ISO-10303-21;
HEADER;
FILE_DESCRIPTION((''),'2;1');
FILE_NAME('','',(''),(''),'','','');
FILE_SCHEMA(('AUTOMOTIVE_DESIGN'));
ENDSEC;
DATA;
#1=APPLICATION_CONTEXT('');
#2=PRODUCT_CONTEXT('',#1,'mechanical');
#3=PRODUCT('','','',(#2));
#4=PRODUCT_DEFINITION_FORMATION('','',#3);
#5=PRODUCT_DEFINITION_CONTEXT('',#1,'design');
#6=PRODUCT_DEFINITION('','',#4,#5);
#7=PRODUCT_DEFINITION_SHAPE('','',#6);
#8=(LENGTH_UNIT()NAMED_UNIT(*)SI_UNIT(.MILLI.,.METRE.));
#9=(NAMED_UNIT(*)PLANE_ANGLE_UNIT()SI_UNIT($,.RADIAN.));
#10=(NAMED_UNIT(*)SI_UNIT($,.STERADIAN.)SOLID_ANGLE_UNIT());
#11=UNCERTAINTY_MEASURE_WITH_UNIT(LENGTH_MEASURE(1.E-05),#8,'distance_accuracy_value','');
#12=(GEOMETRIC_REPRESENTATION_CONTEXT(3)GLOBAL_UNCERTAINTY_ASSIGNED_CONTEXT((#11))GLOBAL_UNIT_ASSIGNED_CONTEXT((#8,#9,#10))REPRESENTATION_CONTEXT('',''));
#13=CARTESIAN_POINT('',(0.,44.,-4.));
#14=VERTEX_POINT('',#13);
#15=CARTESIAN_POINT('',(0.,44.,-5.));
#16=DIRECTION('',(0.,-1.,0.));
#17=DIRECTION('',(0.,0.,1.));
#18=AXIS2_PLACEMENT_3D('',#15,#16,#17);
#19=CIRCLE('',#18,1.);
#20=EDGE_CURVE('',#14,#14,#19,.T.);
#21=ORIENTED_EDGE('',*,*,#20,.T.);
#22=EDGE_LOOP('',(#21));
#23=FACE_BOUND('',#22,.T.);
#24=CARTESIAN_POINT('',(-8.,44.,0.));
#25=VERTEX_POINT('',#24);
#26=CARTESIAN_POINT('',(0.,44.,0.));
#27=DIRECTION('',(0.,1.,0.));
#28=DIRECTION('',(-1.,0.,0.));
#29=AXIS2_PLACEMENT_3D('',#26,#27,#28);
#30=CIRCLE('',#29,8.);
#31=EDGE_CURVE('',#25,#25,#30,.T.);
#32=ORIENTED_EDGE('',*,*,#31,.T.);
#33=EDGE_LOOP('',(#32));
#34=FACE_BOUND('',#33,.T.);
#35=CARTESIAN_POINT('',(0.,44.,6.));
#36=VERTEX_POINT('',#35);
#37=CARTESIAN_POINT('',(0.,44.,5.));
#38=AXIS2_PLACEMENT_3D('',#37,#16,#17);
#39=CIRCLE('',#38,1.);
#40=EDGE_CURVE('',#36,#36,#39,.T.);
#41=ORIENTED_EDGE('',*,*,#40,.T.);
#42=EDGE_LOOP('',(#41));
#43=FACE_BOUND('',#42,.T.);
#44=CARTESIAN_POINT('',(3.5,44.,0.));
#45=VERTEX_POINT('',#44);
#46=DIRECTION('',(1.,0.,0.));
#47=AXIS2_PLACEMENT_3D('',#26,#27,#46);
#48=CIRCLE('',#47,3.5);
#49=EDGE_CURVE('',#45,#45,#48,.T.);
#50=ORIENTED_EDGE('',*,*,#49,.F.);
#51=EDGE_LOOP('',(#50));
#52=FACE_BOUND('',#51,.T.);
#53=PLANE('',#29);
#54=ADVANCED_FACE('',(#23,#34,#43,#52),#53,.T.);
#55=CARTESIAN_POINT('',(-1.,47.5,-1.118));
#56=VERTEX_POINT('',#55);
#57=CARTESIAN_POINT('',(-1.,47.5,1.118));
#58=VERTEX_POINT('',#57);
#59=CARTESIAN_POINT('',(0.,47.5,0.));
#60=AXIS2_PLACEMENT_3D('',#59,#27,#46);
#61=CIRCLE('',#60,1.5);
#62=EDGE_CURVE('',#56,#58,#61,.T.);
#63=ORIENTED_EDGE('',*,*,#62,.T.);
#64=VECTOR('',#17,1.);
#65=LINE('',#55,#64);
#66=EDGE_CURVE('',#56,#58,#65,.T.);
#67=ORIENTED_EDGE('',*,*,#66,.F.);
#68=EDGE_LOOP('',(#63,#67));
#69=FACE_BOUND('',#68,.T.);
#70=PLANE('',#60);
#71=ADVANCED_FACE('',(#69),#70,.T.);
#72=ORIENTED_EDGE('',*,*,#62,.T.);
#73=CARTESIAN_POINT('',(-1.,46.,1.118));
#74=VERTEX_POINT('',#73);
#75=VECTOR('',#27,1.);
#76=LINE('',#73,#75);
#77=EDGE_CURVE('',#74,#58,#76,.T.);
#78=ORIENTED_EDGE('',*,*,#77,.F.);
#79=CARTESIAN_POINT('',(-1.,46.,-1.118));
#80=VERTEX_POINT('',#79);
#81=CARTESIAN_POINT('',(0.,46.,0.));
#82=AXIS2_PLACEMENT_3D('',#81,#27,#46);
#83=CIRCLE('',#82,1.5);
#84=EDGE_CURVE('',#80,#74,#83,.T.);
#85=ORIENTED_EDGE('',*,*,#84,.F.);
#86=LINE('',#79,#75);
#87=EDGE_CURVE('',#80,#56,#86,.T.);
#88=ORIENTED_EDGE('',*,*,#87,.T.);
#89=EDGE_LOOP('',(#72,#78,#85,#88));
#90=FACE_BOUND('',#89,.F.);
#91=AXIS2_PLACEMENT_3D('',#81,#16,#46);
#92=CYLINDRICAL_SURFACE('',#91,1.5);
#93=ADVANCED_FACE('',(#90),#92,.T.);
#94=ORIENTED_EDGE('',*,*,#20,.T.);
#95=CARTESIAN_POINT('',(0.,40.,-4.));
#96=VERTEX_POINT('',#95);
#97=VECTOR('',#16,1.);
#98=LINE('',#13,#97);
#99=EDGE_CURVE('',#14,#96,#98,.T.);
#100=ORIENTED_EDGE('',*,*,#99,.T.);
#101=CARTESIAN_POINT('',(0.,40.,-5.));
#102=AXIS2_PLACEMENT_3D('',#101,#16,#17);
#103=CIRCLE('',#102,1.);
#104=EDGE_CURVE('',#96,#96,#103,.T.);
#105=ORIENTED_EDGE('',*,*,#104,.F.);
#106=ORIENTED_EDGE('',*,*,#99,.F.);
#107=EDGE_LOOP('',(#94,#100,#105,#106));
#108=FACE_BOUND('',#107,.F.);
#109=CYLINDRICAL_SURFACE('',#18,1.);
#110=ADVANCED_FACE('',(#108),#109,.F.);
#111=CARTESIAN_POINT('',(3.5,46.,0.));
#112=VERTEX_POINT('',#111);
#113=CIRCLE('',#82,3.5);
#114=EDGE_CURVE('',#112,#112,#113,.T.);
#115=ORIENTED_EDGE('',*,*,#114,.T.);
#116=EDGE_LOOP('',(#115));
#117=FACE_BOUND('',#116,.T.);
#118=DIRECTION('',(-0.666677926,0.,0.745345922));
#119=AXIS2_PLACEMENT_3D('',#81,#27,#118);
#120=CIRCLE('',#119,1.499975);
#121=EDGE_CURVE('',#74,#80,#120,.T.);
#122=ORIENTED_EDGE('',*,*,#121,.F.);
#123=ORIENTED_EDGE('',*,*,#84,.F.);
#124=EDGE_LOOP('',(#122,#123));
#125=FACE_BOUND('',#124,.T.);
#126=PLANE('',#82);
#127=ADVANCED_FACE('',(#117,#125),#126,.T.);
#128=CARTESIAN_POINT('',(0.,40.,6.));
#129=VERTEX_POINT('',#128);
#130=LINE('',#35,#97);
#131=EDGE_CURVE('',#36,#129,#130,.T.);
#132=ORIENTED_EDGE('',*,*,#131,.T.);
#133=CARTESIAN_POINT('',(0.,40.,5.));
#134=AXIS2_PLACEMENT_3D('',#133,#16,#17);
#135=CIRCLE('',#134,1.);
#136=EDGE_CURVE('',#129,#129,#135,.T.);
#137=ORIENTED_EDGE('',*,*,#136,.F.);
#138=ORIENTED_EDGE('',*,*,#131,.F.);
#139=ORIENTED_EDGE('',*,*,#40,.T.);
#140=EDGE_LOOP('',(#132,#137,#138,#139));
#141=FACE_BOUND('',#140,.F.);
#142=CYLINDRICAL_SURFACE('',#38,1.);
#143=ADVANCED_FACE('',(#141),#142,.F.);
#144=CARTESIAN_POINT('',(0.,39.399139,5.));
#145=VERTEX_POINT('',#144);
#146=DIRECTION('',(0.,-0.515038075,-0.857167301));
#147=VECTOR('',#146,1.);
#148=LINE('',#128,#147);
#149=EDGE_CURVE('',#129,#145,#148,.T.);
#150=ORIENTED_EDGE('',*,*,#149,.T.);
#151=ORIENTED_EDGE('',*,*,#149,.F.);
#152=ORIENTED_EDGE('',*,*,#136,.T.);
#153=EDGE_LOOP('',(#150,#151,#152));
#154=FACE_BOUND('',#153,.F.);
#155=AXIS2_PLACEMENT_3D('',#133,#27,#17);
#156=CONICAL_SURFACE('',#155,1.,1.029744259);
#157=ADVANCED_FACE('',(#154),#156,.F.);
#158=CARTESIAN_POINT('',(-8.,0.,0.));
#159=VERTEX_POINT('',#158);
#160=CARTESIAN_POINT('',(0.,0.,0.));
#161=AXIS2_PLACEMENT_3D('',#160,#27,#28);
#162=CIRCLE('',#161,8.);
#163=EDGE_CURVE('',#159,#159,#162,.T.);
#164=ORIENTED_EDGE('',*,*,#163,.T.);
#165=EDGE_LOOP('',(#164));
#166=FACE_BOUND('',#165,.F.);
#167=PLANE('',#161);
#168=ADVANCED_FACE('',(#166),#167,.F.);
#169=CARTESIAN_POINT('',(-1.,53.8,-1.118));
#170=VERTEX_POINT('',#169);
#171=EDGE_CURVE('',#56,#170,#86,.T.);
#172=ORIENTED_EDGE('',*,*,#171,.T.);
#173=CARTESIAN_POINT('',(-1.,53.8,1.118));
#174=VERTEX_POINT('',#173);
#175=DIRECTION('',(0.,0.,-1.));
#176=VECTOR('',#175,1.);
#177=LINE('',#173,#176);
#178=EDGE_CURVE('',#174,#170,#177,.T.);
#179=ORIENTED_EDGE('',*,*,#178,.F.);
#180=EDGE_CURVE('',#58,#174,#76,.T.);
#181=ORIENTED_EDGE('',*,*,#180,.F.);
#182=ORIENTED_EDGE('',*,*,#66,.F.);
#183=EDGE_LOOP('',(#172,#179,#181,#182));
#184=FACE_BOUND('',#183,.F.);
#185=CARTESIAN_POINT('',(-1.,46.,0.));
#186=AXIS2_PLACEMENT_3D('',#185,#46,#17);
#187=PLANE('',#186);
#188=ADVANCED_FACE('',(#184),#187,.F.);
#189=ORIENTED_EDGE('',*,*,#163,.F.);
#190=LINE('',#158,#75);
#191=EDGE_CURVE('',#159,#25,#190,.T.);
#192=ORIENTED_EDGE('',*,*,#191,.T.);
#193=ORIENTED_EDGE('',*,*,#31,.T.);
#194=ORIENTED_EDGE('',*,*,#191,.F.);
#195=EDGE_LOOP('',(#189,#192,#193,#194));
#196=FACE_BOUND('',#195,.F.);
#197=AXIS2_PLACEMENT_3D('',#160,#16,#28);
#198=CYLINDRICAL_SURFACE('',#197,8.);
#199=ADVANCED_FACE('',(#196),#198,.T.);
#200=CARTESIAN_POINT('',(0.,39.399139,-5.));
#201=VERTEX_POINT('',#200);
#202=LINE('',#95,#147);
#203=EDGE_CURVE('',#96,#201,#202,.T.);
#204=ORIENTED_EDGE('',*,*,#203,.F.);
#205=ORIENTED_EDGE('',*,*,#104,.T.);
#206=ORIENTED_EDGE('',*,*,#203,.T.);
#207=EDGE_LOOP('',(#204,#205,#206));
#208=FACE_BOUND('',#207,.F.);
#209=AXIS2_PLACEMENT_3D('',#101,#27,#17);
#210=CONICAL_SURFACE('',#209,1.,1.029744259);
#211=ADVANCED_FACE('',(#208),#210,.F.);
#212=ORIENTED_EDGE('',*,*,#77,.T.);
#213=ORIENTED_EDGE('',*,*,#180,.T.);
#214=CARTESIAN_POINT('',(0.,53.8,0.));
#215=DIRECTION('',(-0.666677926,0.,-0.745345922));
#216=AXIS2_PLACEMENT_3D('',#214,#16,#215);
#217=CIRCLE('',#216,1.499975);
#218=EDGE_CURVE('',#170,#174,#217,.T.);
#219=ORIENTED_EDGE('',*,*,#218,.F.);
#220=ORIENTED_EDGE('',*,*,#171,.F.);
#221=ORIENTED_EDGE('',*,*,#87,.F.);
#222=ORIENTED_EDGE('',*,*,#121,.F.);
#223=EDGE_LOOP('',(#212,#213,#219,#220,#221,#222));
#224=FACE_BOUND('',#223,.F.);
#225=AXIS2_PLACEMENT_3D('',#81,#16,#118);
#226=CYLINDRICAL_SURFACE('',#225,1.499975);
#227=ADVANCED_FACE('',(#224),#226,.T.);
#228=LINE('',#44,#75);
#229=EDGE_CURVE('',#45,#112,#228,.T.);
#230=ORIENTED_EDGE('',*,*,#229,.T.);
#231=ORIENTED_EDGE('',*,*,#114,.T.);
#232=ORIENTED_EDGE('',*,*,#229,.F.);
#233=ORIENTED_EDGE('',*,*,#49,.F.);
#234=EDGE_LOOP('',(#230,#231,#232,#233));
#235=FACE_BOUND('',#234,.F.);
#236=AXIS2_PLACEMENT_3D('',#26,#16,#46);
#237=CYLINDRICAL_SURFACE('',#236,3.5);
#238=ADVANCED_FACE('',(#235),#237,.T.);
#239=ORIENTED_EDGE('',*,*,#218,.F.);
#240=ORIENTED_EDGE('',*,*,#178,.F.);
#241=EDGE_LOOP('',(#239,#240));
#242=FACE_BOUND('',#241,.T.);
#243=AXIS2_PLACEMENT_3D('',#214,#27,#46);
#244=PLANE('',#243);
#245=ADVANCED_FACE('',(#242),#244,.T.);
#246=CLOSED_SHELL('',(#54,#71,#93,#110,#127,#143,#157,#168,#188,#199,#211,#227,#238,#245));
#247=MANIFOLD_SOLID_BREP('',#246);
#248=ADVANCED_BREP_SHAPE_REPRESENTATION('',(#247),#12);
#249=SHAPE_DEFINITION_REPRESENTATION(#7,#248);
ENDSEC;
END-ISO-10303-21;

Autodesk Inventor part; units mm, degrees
ref_plane "YZ Plane" through (0, 0, 0) normal (1, 0, 0) x (0, 1, 0)
ref_plane "XZ Plane" through (0, 0, 0) normal (0, 1, 0) x (-1, 0, 0)
ref_plane "XY Plane" through (0, 0, 0) normal (0, 0, 1) x (1, 0, 0)
sketch "Boceto1" plane through (0, 0, 0) normal (0, 1, 0) x (-1, 0, 0)
  circle A0 centre (0, 0) radius 8
  dimension "d0" = 16
extrude "Extrusión1" add sketch "Boceto1" along normal blind 44
sketch "Boceto2" plane through (0, 44, 0) normal (0, 1, 0) x (1, 0, 0)
  circle A0 centre (0, 0) radius 3.5
  dimension "d3" = 7
extrude "Extrusión2" add sketch "Boceto2" along normal blind 2
sketch "Boceto3" plane through (0, 46, 0) normal (0, 1, 0) x (1, 0, 0)
  arc A0 (-1, -1.118) -> (-1, 1.118) centre (0, 0) ccw
  line L0 (1.5, 0) -> (-1, 0)
  line L1 (-1, 0) -> (-1, 1.118)
  line L2 (-1, 0) -> (-1, -1.118)
  dimension "d6" = 3
  dimension "d7" = 2.5
extrude "Extrusión3" add sketch "Boceto3" along normal blind 7.8
sketch "Boceto4" plane through (0, 46, 0) normal (0, 1, 0) x (1, 0, 0)
  line L0 (-1, 1.118) -> (-1, -1.118) projected
  circle A0 centre (0, 0) radius 1.5
extrude "Extrusión4" add sketch "Boceto4" along normal blind 1.5 contours L0 A0 picked at (-1.1631, -0.0599)
sketch "Boceto5" plane through (0, 44, 0) normal (0, 1, 0) x (1, 0, 0)
  circle A0 centre (0, 0) radius 1.5 projected
  circle A1 centre (0, 0) radius 5
  circle A2 centre (0, 5) radius 1
  circle A3 centre (0, -5) radius 1
  dimension "d12" = 10
  dimension "d13" = 2
  dimension "d14" = 2
hole "Agujero1" at (0, 44, -5) at (0, 44, 5) direction (0, -1, 0) diameter 2 depth 4 tip angle 118
properties part number "motor2"
